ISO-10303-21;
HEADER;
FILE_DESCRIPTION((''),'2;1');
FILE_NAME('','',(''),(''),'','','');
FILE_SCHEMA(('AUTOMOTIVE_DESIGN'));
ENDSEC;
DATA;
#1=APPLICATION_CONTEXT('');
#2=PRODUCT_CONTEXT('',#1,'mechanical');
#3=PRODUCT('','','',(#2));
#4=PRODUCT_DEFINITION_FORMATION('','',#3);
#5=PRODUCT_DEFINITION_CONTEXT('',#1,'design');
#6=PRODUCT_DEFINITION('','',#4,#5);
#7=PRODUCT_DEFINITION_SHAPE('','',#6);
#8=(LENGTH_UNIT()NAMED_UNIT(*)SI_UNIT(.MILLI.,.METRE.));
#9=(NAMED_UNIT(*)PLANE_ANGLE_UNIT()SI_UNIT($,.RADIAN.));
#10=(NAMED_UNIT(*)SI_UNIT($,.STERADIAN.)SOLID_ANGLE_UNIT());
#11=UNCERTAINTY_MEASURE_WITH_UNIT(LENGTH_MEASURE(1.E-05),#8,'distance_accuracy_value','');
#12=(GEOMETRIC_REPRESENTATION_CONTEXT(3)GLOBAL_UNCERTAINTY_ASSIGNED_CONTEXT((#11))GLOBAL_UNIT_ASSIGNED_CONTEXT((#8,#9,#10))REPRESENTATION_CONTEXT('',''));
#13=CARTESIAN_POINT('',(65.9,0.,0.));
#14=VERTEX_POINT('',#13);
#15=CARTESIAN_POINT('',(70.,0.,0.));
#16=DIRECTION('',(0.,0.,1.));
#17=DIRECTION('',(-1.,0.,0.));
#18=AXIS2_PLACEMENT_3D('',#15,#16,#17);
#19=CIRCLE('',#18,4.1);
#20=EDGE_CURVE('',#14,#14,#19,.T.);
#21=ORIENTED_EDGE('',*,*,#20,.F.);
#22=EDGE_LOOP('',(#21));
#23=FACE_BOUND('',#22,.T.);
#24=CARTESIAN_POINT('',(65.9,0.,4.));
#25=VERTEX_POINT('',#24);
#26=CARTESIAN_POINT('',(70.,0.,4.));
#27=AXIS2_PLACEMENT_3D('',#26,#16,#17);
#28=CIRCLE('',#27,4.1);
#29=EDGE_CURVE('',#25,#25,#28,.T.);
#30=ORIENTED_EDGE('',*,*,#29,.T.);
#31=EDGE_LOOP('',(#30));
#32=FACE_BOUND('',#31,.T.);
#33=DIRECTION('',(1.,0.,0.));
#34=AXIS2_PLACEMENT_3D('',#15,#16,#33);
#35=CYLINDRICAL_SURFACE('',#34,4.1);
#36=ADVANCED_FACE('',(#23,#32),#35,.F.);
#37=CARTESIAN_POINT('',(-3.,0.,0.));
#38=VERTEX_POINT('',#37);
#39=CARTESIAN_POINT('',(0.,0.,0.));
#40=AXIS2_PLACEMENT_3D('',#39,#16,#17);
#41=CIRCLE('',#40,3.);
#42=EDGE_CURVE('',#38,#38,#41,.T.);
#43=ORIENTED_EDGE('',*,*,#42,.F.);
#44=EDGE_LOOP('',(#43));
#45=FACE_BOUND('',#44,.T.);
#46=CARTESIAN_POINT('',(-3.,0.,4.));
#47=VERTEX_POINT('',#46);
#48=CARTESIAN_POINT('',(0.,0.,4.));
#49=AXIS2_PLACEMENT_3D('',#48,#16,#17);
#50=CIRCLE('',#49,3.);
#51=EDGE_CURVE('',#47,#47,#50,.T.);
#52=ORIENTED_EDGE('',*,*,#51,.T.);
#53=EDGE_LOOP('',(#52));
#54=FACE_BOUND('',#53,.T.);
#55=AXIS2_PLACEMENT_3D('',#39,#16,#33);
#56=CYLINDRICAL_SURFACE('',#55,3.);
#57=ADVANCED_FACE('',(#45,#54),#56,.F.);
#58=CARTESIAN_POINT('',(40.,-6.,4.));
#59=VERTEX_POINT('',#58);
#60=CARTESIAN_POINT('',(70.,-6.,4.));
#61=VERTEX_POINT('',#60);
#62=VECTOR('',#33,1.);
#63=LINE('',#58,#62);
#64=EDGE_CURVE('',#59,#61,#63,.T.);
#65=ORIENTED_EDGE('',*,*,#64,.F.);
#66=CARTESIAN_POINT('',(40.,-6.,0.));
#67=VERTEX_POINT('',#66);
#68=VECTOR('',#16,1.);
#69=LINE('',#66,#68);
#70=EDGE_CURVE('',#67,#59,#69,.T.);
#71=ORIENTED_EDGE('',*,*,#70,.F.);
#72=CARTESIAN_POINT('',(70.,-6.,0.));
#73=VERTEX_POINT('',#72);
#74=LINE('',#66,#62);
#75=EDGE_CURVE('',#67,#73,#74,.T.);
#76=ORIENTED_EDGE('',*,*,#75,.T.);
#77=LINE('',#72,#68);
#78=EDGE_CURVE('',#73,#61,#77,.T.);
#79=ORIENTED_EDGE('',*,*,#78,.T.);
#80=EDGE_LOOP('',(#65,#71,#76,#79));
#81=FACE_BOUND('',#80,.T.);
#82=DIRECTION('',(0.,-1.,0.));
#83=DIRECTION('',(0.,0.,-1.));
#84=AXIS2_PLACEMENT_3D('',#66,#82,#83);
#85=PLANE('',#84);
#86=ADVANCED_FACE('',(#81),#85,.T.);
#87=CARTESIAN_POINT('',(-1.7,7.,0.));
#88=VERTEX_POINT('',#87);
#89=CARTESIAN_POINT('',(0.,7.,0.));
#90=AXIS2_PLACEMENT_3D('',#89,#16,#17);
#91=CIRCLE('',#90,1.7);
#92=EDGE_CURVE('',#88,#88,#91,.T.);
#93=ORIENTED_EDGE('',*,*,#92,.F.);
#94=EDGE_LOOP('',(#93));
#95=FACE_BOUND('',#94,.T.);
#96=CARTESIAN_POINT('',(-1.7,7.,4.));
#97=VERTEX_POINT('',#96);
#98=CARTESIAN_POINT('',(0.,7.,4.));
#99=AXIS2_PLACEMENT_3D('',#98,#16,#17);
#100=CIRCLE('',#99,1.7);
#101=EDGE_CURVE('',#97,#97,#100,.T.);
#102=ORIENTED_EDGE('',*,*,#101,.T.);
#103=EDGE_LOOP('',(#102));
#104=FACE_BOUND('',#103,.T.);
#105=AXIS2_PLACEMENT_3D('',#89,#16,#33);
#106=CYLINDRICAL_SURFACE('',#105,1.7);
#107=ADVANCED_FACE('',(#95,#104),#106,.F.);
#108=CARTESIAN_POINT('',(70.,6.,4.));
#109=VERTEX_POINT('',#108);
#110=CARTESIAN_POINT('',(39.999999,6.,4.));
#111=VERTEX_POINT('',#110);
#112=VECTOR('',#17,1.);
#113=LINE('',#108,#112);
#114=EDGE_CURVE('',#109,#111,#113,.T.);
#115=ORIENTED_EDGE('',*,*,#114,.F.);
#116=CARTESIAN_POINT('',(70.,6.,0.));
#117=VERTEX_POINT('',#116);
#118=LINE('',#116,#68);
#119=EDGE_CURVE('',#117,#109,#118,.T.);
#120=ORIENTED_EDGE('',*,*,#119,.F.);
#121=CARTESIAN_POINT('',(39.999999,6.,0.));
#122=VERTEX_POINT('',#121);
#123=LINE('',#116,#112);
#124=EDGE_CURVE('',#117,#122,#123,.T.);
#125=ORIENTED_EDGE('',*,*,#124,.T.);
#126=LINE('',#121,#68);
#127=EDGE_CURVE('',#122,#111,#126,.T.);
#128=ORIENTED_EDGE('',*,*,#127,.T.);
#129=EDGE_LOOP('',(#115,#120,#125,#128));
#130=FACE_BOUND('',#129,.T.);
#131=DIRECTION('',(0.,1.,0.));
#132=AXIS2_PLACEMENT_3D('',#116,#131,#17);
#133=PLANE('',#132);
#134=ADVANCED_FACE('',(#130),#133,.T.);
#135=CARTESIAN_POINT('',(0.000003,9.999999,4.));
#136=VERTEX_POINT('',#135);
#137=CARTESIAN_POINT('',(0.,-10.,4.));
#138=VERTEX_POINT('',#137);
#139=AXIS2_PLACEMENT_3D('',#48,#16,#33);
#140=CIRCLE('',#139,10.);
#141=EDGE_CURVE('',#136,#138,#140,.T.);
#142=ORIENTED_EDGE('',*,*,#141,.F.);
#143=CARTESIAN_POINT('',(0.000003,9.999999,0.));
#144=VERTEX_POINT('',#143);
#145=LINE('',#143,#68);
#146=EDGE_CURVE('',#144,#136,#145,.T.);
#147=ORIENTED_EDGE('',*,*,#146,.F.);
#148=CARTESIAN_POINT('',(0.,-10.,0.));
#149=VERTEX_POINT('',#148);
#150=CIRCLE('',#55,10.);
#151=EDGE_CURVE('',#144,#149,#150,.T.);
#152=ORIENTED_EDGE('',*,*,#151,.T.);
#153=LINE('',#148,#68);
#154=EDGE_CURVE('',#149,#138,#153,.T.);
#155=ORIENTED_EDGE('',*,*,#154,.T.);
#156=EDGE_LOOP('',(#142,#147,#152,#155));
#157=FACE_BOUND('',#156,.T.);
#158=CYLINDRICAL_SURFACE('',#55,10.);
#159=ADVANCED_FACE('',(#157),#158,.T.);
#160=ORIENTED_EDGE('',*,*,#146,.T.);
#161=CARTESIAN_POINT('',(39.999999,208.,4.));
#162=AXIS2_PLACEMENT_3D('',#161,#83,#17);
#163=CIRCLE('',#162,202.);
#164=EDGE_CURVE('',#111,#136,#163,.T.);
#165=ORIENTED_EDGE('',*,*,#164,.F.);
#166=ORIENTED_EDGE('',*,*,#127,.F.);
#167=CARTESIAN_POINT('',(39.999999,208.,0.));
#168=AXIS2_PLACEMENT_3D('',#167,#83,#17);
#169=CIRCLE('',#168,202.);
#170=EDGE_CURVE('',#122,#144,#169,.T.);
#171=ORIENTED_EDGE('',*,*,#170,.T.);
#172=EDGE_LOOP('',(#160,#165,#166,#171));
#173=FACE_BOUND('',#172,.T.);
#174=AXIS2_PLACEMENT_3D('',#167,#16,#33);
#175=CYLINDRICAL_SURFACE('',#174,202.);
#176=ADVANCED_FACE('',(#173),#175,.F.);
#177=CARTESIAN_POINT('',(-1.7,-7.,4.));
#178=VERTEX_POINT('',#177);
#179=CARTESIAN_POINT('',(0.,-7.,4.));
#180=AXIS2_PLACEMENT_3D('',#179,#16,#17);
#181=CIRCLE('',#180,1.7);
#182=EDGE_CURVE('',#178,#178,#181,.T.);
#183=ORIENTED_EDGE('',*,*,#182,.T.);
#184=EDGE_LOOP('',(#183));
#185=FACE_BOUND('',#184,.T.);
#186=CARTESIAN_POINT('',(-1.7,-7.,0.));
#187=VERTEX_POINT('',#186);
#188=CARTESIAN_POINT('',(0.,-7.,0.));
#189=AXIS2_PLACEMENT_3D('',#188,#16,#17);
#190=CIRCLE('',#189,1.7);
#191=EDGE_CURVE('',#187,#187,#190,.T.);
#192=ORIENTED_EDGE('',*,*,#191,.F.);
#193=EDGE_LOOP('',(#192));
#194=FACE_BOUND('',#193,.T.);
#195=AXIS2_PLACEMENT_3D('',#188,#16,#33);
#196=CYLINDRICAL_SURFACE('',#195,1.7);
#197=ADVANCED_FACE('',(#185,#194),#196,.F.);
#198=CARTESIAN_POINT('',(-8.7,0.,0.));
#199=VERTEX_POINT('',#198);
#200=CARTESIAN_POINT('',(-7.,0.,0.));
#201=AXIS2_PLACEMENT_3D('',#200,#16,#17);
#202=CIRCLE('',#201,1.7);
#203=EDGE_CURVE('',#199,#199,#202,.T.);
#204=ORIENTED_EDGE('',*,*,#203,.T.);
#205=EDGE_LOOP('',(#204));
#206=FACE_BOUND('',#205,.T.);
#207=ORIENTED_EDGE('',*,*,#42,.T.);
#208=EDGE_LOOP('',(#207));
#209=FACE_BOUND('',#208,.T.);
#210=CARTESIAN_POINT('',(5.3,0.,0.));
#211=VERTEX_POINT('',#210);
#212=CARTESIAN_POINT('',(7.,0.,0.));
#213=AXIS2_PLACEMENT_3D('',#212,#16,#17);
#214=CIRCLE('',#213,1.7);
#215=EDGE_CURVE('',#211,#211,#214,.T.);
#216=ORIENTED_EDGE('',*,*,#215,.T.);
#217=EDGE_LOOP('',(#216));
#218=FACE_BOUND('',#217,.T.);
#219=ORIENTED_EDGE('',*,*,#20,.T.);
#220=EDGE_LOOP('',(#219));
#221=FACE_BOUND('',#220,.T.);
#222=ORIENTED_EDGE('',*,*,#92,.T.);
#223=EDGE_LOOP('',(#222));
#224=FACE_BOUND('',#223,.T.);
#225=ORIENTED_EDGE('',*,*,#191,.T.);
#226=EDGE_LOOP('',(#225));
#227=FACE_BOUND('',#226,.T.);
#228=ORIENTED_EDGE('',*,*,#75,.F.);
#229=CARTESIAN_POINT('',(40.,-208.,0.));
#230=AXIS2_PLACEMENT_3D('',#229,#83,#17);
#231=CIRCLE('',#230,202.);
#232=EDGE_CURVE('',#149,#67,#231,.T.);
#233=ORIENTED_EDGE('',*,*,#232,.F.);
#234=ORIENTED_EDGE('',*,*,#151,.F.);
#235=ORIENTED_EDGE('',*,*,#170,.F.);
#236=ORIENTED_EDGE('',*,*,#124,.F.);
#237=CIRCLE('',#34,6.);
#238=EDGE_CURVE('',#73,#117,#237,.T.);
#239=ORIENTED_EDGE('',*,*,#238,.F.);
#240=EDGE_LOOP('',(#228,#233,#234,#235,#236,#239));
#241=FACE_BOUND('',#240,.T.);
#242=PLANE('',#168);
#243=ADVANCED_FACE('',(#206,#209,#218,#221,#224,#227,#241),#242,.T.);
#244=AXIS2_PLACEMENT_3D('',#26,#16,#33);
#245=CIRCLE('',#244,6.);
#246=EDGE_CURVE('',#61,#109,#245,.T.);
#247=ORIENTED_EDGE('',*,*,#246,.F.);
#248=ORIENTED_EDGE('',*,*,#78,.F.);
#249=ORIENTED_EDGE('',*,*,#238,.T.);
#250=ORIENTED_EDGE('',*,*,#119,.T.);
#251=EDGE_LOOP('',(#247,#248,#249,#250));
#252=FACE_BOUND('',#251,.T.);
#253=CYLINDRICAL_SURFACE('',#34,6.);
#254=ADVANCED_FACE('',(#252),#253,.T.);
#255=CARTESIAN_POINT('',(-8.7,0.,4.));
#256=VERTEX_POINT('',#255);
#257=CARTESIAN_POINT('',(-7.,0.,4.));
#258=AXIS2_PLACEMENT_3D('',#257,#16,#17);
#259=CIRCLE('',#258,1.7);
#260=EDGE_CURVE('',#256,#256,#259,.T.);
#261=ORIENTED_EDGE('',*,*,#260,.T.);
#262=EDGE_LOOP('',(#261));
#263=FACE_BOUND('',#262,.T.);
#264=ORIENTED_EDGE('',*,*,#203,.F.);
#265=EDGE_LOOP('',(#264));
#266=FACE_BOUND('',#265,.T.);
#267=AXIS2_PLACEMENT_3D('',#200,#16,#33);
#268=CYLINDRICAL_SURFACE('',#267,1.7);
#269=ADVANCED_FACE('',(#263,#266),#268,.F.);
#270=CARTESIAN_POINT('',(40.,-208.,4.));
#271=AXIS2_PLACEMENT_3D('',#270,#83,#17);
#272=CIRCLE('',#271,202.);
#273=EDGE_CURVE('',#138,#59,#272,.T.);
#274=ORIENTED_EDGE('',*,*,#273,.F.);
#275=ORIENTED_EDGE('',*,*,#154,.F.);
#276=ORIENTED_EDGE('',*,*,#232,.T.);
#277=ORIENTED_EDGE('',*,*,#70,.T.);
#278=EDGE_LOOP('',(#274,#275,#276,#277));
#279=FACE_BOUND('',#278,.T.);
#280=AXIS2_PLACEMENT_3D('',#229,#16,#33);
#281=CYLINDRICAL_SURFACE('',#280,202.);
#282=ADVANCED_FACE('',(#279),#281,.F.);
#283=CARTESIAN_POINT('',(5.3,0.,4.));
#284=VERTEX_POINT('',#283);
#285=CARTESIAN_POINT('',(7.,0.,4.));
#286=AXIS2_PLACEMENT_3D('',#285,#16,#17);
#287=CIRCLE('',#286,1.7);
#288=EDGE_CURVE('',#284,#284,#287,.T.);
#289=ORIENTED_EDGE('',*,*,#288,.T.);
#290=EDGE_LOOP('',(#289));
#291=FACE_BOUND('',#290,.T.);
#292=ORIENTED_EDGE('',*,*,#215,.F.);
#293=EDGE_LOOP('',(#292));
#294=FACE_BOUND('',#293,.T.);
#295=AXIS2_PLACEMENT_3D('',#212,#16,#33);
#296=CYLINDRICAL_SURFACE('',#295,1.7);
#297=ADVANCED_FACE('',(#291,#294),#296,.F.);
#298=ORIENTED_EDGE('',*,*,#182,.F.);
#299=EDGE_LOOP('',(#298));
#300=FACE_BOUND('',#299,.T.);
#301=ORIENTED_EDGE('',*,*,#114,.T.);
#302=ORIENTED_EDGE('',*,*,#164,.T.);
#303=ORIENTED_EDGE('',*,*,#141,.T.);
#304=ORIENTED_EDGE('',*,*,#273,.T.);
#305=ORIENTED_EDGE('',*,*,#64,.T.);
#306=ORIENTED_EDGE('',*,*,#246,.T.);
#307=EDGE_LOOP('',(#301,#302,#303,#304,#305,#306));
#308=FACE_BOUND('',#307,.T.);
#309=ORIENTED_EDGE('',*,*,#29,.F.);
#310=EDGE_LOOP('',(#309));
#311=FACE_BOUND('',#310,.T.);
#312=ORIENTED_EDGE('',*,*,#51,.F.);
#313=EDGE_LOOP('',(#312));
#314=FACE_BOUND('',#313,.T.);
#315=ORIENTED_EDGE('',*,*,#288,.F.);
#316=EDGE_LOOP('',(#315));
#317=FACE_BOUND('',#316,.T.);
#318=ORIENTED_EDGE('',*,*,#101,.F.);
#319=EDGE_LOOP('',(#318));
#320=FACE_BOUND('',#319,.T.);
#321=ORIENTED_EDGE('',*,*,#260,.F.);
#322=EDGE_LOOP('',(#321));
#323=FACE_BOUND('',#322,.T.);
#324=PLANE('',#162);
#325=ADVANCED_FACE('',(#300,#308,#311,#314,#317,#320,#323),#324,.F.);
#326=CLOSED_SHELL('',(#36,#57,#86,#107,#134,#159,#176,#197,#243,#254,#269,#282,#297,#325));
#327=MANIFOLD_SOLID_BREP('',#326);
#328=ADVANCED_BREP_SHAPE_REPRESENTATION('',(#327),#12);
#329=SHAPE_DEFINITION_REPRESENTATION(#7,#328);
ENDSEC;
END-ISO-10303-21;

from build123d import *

# Parameters (mm, degrees)
SKETCH_1_R      = 1.7
SKETCH_1_R_2    = 3
SKETCH_1_R_3    = 4.1
EXTRUDE_1_DEPTH = 4


with BuildPart() as part:
    # 草图1 → 凸台-拉伸1 (new body)
    with BuildSketch(Plane.XY.offset(4)):
        with BuildLine():
            Line((40, -6), (70, -6))
            ThreePointArc((70, -6), (76.000000116, 1.16e-07), (70, 6.000000233))
            Line((70, 6.000000233), (39.999998847, 6.000000233))
            ThreePointArc((39.999998847, 6.000000233), (19.900249653, 7.002487606), (2.882e-06, 9.999999418))
            ThreePointArc((2.882e-06, 9.999999418), (-9.999999709, 1.15e-06), (0, -10))
            ThreePointArc((0, -10), (19.900248758, -7.002487578), (40, -6))
        make_face()
        with Locations(Location((0, 7, 0), (0, 0, 180))):
            Circle(SKETCH_1_R, mode=Mode.SUBTRACT)
        with Locations(Location((0, -2.91e-07, 0), (0, 0, 180))):
            Circle(SKETCH_1_R_2, mode=Mode.SUBTRACT)
        with Locations(Location((-7, 0, 0), (0, 0, 180))):
            Circle(SKETCH_1_R, mode=Mode.SUBTRACT)
        with Locations(Location((0, -7, 0), (0, 0, 180))):
            Circle(SKETCH_1_R, mode=Mode.SUBTRACT)
        with Locations(Location((7, 0, 0), (0, 0, 180))):
            Circle(SKETCH_1_R, mode=Mode.SUBTRACT)
        with Locations(Location((70, 1.16e-07, 0), (0, 0, 180))):
            Circle(SKETCH_1_R_3, mode=Mode.SUBTRACT)
    extrude(amount=-EXTRUDE_1_DEPTH)


solid = part.part
